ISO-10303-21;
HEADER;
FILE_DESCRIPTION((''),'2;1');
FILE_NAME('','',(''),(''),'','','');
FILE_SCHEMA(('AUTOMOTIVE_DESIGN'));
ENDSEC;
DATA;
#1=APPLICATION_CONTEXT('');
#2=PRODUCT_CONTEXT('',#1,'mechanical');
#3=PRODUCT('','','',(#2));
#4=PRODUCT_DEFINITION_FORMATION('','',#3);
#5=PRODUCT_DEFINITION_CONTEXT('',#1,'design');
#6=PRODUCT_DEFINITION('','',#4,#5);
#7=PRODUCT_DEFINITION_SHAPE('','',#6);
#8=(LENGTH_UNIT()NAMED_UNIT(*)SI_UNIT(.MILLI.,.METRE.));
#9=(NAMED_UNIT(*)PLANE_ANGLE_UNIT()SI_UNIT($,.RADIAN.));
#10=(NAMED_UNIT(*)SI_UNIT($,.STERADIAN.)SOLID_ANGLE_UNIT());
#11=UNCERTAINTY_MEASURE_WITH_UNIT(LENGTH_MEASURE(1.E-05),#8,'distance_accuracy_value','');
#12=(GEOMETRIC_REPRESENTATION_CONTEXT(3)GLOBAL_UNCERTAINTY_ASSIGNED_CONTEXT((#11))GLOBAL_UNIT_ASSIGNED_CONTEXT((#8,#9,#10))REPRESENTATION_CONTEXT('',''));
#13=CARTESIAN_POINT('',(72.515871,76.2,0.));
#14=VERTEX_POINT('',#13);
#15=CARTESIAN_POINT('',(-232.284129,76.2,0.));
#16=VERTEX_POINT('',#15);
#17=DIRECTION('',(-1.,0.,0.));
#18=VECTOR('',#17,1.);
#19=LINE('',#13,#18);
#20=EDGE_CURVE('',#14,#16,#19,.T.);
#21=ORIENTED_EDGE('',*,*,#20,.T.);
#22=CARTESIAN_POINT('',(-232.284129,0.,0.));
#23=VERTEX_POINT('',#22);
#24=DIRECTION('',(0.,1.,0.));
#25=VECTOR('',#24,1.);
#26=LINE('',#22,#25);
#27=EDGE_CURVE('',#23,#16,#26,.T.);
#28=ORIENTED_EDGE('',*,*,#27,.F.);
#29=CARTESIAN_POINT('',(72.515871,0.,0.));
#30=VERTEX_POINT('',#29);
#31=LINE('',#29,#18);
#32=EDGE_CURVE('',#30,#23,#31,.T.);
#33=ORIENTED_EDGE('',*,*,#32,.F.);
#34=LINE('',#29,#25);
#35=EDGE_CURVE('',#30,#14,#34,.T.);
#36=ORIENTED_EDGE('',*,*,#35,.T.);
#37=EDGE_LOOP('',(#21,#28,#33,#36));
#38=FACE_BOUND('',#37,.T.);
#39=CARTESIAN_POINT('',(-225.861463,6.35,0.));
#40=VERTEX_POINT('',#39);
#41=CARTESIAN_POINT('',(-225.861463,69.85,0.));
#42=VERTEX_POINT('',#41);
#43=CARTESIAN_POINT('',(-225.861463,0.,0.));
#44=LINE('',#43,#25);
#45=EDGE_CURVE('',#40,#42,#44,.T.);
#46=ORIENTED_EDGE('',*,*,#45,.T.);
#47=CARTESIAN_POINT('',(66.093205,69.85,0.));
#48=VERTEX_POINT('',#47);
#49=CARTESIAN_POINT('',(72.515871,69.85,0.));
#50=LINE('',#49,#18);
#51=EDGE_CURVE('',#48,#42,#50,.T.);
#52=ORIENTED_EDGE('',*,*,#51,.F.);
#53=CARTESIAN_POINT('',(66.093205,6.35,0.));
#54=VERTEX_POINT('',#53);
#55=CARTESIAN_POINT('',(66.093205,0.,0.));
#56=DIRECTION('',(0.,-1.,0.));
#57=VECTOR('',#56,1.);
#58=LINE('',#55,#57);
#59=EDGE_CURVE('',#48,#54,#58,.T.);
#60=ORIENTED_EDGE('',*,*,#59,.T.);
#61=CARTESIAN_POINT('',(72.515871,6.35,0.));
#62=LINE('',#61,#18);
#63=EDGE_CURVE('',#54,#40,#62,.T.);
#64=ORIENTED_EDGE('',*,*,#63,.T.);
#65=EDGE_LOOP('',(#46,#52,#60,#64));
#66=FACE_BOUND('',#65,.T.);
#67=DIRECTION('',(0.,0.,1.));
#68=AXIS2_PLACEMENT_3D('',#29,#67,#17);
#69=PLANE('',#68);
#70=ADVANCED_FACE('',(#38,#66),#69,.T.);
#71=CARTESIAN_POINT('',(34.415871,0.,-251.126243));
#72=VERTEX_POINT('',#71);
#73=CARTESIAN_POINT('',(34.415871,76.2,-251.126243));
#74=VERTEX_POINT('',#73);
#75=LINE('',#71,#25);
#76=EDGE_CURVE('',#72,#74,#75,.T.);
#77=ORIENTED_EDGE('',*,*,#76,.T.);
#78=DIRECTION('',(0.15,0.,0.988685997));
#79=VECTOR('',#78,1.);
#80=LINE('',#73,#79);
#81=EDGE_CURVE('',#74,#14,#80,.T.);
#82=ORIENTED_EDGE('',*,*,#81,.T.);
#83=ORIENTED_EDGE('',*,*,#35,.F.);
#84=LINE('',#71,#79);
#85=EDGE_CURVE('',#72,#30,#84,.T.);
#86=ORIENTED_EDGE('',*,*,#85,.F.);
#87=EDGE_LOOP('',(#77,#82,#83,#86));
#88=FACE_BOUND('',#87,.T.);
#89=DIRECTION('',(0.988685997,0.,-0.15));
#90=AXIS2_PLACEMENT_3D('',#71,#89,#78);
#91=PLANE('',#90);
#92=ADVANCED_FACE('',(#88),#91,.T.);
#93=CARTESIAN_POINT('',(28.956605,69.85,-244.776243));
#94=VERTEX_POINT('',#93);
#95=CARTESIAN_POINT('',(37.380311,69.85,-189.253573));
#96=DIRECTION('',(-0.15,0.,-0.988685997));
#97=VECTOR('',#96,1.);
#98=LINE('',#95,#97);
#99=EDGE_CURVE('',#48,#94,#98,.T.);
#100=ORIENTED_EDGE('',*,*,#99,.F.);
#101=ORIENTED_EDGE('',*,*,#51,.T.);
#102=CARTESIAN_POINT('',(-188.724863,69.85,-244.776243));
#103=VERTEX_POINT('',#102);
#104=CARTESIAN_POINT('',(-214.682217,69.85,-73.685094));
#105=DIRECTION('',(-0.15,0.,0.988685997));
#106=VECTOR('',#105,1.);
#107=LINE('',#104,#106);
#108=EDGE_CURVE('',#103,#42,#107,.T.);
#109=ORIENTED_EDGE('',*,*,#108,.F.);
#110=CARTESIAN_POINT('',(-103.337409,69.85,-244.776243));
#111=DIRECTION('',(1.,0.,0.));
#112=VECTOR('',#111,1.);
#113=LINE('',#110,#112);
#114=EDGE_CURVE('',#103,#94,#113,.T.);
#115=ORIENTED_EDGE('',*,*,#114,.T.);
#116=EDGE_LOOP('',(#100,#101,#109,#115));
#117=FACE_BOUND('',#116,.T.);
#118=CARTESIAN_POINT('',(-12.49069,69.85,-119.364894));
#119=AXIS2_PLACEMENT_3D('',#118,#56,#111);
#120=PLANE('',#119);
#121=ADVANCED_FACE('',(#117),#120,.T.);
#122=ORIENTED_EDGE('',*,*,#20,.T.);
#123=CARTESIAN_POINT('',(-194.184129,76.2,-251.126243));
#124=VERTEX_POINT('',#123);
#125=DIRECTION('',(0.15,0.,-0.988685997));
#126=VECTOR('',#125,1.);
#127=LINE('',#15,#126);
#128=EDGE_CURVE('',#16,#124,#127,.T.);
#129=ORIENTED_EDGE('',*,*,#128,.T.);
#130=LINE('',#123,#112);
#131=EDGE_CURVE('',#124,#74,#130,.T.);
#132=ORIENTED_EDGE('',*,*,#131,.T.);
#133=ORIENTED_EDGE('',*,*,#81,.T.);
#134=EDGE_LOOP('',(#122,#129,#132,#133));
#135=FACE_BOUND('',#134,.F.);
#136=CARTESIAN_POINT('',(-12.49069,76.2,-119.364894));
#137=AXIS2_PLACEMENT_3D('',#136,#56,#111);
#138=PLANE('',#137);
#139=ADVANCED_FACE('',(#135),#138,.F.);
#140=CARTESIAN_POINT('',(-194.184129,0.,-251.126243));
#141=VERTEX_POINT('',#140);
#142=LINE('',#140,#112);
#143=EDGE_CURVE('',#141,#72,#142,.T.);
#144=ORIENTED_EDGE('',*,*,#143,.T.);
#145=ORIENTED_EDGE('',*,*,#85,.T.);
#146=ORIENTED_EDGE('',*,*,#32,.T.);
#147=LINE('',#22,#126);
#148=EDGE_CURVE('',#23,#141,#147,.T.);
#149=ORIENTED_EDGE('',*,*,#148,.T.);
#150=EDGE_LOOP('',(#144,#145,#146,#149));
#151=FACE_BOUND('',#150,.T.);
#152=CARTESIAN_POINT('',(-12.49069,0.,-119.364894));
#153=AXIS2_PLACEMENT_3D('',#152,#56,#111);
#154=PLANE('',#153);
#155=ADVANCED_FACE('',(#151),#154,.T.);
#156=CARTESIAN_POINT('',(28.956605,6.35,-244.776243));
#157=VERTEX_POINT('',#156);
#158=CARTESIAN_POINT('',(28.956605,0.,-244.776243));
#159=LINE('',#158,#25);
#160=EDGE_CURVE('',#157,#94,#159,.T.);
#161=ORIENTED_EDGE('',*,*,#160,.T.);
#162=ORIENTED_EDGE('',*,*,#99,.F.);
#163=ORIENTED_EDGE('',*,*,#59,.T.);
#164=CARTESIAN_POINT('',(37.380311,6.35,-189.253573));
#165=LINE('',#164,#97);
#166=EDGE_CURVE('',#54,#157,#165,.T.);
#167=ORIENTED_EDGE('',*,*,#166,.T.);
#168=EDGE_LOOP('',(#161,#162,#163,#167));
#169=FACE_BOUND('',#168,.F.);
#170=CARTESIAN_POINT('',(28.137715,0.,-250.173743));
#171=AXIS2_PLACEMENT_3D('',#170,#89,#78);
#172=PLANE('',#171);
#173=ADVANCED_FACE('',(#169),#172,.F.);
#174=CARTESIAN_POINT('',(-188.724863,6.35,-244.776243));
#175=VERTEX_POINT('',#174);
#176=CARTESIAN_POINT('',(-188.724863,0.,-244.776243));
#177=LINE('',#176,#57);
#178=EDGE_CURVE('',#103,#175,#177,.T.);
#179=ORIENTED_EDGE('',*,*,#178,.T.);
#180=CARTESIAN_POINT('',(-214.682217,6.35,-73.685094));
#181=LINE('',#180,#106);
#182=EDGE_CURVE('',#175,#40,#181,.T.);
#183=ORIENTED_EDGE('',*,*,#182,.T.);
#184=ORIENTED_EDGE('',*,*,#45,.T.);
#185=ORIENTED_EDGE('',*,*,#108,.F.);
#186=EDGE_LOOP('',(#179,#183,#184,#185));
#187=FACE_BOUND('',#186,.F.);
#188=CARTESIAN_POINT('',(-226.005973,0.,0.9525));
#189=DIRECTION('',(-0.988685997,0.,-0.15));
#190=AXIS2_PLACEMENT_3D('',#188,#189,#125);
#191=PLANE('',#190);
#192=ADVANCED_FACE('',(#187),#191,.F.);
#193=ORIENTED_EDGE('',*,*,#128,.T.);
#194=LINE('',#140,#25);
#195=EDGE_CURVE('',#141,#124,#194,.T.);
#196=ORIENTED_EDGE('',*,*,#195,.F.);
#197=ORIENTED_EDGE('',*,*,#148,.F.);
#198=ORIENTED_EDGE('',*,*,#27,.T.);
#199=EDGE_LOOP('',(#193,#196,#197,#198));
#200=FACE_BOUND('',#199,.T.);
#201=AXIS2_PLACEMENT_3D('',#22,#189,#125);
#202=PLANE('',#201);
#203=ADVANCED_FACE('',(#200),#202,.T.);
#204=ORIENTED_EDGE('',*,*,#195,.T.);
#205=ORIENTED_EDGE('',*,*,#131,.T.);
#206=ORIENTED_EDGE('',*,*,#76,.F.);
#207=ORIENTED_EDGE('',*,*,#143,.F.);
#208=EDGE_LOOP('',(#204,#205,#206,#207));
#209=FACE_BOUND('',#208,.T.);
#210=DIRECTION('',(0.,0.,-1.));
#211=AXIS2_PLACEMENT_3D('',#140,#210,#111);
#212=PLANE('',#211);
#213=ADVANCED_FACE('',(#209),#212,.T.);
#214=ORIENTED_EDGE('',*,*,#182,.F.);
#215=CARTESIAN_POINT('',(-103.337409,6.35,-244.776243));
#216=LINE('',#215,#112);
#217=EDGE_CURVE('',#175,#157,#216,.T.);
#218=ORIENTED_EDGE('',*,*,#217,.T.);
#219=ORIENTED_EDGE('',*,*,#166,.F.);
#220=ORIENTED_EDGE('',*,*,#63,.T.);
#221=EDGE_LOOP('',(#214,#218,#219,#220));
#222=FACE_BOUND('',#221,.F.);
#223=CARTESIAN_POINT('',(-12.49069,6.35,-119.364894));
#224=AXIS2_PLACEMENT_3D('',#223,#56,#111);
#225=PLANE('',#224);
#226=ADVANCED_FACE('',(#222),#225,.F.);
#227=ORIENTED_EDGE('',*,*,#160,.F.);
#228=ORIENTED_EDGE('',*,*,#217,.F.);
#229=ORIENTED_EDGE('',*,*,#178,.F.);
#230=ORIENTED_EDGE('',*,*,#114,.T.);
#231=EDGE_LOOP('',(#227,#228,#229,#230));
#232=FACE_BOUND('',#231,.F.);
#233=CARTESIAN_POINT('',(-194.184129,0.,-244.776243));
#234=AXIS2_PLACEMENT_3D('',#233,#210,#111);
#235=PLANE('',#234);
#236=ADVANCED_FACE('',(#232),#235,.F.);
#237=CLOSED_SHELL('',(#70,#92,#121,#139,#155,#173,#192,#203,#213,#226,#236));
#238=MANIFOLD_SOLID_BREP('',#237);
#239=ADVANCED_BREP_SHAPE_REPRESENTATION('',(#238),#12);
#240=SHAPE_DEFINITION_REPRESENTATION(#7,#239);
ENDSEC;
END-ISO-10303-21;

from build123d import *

# Parameters (mm, degrees)
F1_DEPTH = 76.2
F2_T     = -6.35


with BuildPart() as f1:
    # F0 (on Front) → F1 (new body)
    with BuildSketch(Plane.XZ):
        Polygon((72.515871, 0), (-79.884129, 0), (-79.884129, -251.126243), (34.415871, -251.126243), align=None)
        Polygon((-79.884129, 0), (-232.284129, 0), (-194.184129, -251.126243), (-79.884129, -251.126243), align=None)
    extrude(amount=-F1_DEPTH)

    # F2
    f2_openings = [f1.faces().sort_by_distance(p)[0] for p in [
        (-79.884129, 38.1, 0),
    ]]
    offset(amount=F2_T, openings=f2_openings)


solid = f1.part
